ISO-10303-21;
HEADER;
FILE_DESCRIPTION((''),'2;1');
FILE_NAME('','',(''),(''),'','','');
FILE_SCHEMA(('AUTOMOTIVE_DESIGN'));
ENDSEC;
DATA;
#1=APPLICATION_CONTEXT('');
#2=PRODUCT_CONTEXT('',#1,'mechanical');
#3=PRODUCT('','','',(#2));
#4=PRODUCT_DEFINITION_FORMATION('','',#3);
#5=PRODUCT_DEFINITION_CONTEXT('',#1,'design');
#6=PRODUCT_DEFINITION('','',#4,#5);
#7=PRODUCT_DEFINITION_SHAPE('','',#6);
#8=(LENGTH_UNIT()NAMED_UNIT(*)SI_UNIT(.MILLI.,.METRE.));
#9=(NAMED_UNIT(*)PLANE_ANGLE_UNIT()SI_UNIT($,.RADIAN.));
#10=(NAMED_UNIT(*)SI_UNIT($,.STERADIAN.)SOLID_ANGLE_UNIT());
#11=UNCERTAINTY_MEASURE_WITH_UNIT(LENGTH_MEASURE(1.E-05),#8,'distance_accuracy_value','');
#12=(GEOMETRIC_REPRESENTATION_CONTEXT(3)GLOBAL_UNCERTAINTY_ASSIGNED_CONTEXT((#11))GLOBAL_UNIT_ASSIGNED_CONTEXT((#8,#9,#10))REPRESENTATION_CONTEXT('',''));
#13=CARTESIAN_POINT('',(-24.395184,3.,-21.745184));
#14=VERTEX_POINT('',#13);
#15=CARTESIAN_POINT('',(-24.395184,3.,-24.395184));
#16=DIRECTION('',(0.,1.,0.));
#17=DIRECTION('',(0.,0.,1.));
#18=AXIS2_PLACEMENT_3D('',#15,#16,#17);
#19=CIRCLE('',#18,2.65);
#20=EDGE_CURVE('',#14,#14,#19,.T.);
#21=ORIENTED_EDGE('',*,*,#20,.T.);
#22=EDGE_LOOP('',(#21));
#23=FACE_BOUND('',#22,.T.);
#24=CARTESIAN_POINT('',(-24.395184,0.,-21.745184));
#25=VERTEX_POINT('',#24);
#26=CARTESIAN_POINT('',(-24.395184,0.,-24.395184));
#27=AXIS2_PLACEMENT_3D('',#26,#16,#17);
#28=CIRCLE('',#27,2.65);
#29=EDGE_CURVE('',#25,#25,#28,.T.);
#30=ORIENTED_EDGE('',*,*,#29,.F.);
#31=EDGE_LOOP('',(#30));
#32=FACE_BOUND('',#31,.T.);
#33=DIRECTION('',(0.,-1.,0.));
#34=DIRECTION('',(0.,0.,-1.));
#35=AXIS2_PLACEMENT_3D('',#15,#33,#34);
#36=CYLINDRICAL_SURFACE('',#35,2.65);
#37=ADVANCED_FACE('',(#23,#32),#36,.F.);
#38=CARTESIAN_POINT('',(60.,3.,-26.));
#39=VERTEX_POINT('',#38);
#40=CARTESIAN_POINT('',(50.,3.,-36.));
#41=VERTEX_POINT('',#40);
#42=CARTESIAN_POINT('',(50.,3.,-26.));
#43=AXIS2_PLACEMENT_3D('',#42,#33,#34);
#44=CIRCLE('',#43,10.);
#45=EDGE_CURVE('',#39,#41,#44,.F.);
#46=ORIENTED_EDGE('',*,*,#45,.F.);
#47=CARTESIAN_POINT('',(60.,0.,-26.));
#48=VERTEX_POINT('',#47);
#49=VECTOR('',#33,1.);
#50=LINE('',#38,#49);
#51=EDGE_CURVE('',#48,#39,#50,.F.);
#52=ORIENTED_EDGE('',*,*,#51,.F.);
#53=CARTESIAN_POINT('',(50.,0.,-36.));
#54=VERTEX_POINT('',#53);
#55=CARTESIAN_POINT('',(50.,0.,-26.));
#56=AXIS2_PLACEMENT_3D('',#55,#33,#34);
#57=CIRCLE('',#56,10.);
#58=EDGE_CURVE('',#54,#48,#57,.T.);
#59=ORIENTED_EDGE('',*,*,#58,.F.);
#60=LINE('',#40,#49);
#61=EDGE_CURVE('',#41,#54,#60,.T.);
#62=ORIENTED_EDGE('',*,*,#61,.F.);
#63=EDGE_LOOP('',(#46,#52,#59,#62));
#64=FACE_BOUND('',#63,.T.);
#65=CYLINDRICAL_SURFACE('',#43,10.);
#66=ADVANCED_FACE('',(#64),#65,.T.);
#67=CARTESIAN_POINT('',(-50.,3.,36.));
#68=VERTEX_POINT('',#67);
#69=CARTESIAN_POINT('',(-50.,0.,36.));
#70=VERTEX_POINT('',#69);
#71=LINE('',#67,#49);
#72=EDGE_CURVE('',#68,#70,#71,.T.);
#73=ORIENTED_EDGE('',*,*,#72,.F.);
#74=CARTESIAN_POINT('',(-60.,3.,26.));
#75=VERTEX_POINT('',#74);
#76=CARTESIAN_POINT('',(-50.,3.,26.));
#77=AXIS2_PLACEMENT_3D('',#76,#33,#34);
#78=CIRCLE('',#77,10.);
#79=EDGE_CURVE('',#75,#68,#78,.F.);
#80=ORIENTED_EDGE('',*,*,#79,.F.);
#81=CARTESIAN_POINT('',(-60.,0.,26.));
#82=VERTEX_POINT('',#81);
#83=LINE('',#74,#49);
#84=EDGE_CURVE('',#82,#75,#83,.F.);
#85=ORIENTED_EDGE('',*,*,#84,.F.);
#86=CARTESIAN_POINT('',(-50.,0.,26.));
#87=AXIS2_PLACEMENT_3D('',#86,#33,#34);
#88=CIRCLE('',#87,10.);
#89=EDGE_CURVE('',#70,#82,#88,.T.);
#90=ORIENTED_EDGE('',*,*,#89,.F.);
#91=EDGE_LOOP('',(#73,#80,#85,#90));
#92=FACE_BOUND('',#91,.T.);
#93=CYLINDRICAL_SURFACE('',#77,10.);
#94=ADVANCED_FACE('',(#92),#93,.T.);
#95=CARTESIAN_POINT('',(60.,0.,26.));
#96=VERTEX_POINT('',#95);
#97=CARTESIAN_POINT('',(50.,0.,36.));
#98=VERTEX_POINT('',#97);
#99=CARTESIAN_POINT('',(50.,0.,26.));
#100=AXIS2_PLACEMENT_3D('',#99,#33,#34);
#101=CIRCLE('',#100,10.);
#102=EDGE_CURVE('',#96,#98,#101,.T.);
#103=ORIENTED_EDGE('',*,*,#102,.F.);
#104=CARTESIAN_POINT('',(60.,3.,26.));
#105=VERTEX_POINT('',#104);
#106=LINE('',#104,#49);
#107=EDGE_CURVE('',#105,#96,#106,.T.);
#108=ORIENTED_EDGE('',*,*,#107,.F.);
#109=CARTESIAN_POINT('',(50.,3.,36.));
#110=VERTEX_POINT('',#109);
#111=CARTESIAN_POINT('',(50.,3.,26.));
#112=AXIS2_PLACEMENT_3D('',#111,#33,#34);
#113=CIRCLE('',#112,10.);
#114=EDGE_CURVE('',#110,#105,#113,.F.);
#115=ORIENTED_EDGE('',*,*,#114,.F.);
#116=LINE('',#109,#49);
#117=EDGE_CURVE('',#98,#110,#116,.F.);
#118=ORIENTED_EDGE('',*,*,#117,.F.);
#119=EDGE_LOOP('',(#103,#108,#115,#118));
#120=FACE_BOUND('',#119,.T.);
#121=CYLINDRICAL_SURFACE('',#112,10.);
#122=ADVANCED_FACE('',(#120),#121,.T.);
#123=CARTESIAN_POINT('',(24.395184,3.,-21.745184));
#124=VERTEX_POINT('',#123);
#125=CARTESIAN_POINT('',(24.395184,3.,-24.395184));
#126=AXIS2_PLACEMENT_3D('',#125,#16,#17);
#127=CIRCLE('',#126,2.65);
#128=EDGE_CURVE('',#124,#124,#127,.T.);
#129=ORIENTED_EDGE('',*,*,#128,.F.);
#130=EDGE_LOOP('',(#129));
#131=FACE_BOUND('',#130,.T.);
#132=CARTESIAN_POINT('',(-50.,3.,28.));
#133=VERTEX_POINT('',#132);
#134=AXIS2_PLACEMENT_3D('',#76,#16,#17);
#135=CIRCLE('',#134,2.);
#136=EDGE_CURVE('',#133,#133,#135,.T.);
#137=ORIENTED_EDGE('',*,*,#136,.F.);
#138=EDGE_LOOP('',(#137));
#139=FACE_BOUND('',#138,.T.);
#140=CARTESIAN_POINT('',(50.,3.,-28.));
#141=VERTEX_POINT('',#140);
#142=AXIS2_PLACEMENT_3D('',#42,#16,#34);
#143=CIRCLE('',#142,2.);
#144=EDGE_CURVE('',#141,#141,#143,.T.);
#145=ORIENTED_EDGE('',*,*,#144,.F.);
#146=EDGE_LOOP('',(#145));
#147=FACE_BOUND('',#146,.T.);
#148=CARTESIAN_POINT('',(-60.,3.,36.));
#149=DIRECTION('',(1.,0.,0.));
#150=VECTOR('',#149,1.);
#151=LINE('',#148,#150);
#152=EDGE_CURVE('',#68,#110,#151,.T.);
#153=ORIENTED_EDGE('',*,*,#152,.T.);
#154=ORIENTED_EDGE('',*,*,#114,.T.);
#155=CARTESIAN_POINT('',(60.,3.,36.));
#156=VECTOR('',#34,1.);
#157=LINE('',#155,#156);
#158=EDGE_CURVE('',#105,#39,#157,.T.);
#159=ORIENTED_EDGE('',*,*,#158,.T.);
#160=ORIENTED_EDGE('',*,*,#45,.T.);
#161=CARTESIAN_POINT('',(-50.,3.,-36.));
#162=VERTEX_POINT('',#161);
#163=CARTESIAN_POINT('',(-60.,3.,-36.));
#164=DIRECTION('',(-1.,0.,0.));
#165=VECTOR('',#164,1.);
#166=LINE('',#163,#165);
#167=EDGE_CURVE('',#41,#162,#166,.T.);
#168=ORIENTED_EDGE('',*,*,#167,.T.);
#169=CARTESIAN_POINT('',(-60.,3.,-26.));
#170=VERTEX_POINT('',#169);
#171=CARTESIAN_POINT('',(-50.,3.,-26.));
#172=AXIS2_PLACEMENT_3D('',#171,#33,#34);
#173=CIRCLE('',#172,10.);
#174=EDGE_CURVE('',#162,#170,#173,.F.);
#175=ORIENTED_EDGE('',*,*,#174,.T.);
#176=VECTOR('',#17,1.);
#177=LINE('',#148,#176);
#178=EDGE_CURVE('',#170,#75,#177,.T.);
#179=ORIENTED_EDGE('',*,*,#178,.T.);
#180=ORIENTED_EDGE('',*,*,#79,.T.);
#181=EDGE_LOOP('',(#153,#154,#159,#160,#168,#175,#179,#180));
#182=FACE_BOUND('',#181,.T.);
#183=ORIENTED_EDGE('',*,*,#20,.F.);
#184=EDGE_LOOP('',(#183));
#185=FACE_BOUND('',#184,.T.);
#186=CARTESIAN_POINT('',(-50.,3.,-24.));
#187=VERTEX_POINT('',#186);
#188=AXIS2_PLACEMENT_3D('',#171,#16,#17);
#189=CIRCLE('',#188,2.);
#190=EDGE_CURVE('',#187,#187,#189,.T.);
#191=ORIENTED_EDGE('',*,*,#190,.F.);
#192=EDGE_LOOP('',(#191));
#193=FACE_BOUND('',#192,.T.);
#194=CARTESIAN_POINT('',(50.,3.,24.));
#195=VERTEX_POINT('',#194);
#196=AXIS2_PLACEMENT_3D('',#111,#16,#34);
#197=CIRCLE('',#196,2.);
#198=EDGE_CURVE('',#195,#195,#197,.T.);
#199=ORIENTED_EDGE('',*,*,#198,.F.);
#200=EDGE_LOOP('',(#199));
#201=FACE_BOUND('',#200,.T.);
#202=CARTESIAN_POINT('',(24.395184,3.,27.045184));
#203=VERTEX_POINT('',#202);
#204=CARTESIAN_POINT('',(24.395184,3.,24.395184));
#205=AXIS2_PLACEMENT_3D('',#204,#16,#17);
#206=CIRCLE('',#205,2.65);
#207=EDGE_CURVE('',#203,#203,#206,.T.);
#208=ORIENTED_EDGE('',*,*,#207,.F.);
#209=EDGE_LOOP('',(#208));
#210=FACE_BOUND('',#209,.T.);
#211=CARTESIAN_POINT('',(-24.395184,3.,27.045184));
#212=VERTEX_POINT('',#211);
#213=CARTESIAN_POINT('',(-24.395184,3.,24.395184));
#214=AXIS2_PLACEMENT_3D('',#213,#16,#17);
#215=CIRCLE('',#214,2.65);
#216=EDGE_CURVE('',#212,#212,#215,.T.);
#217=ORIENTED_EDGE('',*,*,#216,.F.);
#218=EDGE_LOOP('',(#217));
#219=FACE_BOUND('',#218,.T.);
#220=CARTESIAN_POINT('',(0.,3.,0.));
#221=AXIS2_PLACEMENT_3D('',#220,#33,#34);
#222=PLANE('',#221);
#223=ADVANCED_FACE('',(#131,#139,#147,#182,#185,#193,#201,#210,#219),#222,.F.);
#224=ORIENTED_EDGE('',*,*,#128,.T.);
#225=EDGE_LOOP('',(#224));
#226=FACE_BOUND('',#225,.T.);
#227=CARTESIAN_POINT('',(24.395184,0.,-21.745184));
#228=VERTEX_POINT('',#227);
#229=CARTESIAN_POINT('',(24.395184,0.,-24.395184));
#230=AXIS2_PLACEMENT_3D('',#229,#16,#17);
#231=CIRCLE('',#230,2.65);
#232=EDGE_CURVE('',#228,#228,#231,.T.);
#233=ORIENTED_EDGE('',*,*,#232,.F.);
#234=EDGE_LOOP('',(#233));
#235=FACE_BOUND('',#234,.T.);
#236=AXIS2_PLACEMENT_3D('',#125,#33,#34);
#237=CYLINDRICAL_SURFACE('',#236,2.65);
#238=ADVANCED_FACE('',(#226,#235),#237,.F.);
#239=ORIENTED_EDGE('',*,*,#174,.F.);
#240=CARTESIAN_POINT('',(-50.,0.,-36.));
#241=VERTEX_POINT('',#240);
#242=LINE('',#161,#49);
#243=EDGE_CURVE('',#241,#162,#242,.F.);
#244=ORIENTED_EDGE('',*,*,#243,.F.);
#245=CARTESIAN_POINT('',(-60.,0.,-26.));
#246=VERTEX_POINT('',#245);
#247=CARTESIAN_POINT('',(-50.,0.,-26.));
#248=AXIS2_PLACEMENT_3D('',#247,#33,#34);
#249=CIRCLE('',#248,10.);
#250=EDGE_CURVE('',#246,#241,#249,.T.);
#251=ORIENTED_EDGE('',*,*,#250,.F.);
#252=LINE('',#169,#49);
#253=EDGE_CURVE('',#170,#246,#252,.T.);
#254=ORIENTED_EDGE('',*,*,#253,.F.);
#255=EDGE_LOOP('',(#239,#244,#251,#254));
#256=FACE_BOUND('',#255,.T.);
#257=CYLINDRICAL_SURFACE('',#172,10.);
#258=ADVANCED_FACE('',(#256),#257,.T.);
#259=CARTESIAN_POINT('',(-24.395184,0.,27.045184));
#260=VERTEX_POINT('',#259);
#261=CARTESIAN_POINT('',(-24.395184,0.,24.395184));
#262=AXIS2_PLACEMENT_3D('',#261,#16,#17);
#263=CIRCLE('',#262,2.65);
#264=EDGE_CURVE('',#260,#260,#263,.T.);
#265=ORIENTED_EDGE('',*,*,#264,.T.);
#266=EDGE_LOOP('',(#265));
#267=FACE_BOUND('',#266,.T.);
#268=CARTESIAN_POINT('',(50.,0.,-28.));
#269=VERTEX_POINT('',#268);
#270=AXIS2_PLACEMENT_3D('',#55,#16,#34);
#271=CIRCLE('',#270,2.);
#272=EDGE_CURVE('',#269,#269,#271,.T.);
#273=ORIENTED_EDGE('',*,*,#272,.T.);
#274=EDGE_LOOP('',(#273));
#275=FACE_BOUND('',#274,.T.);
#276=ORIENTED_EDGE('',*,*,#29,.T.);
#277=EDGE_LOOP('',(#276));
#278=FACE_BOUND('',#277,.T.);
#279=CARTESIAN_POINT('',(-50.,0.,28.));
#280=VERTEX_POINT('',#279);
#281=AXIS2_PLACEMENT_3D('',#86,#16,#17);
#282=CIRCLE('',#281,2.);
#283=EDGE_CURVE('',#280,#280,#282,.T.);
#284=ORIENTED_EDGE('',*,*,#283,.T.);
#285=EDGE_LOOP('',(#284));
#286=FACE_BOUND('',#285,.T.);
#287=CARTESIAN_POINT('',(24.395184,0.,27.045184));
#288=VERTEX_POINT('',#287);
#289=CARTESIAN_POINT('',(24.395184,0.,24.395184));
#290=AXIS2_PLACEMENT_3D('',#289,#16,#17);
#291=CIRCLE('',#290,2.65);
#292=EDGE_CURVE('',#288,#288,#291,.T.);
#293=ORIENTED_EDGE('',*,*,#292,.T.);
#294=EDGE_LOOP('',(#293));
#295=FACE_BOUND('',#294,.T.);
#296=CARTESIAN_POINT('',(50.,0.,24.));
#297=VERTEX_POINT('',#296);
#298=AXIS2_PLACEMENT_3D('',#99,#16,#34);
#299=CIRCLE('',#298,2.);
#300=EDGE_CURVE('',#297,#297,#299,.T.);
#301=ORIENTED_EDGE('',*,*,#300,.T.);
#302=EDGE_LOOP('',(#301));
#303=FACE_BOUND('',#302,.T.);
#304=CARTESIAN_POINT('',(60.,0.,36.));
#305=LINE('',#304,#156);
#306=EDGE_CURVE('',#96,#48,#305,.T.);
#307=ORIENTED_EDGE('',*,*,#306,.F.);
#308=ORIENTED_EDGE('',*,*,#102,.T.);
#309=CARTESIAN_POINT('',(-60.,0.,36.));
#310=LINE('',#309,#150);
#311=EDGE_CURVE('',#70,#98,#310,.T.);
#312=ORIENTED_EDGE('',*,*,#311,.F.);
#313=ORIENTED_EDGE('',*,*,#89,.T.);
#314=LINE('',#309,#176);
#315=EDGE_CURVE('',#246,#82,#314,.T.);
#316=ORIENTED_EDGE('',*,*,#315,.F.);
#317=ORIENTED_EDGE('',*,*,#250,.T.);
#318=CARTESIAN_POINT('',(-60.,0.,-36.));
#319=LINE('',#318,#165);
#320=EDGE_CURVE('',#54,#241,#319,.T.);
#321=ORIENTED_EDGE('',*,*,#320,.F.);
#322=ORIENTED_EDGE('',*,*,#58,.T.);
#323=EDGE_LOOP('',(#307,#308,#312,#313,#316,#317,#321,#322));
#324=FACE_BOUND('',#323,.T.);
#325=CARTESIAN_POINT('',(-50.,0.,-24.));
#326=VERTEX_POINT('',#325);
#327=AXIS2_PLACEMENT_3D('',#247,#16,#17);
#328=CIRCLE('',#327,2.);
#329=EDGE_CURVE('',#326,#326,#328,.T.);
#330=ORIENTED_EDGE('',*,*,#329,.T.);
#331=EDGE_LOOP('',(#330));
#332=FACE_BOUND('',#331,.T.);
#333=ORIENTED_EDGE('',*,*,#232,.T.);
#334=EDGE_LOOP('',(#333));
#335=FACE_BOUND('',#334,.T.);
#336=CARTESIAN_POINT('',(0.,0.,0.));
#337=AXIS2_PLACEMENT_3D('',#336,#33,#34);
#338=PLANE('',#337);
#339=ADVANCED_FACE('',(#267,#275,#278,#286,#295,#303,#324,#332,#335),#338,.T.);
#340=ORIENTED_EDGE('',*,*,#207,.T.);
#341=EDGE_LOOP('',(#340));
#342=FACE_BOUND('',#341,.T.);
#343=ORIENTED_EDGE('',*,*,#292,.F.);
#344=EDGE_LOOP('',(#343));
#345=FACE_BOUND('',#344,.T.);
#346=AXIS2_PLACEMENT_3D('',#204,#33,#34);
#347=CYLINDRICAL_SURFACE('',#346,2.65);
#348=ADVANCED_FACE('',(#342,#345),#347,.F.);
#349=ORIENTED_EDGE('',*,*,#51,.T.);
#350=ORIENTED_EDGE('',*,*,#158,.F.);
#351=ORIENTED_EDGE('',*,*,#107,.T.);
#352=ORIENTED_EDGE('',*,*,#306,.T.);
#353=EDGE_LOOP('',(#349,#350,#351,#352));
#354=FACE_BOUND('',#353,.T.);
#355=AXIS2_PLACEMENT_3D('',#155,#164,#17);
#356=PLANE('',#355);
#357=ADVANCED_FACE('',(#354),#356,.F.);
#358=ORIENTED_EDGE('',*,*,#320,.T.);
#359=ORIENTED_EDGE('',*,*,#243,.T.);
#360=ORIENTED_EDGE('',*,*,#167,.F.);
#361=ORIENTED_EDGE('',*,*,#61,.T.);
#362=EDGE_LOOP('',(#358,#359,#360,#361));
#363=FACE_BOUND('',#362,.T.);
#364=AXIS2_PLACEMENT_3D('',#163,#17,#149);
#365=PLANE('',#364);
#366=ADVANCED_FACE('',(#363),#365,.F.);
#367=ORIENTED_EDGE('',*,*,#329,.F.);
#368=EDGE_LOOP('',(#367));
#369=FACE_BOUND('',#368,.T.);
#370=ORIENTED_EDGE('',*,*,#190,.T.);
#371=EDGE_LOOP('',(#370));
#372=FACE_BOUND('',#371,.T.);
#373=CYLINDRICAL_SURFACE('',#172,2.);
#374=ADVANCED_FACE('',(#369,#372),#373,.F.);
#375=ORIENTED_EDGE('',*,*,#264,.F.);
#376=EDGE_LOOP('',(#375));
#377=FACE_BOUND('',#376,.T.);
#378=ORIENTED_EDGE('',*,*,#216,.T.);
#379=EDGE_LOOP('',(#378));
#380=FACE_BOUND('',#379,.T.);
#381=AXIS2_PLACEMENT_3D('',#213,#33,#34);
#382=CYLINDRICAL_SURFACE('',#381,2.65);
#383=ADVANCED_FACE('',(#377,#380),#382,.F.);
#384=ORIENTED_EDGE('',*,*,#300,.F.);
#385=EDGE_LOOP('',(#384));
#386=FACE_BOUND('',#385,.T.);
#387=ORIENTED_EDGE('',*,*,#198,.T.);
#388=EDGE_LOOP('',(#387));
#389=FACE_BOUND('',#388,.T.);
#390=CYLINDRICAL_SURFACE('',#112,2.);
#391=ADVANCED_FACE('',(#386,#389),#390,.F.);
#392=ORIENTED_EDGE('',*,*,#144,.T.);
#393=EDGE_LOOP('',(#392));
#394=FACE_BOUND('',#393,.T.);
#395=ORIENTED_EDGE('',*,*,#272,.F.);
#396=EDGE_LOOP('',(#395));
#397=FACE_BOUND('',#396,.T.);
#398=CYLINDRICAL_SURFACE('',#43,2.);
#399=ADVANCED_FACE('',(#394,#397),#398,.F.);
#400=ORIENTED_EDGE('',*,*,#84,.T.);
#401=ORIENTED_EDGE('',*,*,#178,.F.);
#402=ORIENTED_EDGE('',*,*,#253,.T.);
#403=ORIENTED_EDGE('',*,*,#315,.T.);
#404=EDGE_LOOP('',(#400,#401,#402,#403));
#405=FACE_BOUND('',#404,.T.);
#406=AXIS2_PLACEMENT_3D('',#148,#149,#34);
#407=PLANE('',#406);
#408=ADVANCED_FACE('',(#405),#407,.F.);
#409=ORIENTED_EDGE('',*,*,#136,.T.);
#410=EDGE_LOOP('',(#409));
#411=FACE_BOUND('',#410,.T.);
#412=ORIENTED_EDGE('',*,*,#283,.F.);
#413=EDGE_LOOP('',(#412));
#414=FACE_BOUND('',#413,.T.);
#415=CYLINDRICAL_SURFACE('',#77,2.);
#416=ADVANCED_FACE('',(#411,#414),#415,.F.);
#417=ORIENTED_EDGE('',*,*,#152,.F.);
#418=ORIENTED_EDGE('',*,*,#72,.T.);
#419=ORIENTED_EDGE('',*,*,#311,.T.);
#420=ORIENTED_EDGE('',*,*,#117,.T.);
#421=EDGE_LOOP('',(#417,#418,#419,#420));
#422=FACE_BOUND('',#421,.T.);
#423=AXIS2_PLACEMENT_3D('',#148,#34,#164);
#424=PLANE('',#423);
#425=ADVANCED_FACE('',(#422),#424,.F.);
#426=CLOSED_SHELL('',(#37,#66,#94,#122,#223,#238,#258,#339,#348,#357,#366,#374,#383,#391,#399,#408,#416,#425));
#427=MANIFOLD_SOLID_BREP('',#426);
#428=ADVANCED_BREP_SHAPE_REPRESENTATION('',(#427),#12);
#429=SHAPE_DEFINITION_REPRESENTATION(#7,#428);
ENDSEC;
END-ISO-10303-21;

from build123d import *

# Parameters (mm, degrees)
SKETCH_1_W      = 120
SKETCH_1_H      = 72
SKETCH_1_R      = 2.65
SKETCH_1_R_2    = 2
EXTRUDE_1_DEPTH = 3
FILLET_1_R      = 10


with BuildPart() as part:
    # 草图1 → 凸台-拉伸1 (new body)
    with BuildSketch(Plane(origin=(0, 0, 0), x_dir=(1, 0, 0), z_dir=(0, 1, 0))):
        Rectangle(SKETCH_1_W, SKETCH_1_H)
        with Locations(Location((-24.395183951, 24.395183951, 0), (0, 0, 270))):
            Circle(SKETCH_1_R, mode=Mode.SUBTRACT)
        with Locations(Location((24.395183951, 24.395183951, 0), (0, 0, 270))):
            Circle(SKETCH_1_R, mode=Mode.SUBTRACT)
        with Locations(Location((24.395183951, -24.395183951, 0), (0, 0, 270))):
            Circle(SKETCH_1_R, mode=Mode.SUBTRACT)
        with Locations(Location((-24.395183951, -24.395183951, 0), (0, 0, 270))):
            Circle(SKETCH_1_R, mode=Mode.SUBTRACT)
        with Locations(Location((-50, 26, 0), (0, 0, 270))):
            Circle(SKETCH_1_R_2, mode=Mode.SUBTRACT)
        with Locations(Location((-50, -26, 0), (0, 0, 270))):
            Circle(SKETCH_1_R_2, mode=Mode.SUBTRACT)
        with Locations(Location((50, -26, 0), (0, 0, 90))):
            Circle(SKETCH_1_R_2, mode=Mode.SUBTRACT)
        with Locations(Location((50, 26, 0), (0, 0, 90))):
            Circle(SKETCH_1_R_2, mode=Mode.SUBTRACT)
    extrude(amount=EXTRUDE_1_DEPTH)

    # 圆角1
    fillet_1_edges = [part.edges().sort_by_distance(p)[0] for p in [
        (60, 1.5, 36),
        (-60, 1.5, 36),
        (-60, 1.5, -36),
        (60, 1.5, -36),
    ]]
    fillet(fillet_1_edges, radius=FILLET_1_R)


solid = part.part
